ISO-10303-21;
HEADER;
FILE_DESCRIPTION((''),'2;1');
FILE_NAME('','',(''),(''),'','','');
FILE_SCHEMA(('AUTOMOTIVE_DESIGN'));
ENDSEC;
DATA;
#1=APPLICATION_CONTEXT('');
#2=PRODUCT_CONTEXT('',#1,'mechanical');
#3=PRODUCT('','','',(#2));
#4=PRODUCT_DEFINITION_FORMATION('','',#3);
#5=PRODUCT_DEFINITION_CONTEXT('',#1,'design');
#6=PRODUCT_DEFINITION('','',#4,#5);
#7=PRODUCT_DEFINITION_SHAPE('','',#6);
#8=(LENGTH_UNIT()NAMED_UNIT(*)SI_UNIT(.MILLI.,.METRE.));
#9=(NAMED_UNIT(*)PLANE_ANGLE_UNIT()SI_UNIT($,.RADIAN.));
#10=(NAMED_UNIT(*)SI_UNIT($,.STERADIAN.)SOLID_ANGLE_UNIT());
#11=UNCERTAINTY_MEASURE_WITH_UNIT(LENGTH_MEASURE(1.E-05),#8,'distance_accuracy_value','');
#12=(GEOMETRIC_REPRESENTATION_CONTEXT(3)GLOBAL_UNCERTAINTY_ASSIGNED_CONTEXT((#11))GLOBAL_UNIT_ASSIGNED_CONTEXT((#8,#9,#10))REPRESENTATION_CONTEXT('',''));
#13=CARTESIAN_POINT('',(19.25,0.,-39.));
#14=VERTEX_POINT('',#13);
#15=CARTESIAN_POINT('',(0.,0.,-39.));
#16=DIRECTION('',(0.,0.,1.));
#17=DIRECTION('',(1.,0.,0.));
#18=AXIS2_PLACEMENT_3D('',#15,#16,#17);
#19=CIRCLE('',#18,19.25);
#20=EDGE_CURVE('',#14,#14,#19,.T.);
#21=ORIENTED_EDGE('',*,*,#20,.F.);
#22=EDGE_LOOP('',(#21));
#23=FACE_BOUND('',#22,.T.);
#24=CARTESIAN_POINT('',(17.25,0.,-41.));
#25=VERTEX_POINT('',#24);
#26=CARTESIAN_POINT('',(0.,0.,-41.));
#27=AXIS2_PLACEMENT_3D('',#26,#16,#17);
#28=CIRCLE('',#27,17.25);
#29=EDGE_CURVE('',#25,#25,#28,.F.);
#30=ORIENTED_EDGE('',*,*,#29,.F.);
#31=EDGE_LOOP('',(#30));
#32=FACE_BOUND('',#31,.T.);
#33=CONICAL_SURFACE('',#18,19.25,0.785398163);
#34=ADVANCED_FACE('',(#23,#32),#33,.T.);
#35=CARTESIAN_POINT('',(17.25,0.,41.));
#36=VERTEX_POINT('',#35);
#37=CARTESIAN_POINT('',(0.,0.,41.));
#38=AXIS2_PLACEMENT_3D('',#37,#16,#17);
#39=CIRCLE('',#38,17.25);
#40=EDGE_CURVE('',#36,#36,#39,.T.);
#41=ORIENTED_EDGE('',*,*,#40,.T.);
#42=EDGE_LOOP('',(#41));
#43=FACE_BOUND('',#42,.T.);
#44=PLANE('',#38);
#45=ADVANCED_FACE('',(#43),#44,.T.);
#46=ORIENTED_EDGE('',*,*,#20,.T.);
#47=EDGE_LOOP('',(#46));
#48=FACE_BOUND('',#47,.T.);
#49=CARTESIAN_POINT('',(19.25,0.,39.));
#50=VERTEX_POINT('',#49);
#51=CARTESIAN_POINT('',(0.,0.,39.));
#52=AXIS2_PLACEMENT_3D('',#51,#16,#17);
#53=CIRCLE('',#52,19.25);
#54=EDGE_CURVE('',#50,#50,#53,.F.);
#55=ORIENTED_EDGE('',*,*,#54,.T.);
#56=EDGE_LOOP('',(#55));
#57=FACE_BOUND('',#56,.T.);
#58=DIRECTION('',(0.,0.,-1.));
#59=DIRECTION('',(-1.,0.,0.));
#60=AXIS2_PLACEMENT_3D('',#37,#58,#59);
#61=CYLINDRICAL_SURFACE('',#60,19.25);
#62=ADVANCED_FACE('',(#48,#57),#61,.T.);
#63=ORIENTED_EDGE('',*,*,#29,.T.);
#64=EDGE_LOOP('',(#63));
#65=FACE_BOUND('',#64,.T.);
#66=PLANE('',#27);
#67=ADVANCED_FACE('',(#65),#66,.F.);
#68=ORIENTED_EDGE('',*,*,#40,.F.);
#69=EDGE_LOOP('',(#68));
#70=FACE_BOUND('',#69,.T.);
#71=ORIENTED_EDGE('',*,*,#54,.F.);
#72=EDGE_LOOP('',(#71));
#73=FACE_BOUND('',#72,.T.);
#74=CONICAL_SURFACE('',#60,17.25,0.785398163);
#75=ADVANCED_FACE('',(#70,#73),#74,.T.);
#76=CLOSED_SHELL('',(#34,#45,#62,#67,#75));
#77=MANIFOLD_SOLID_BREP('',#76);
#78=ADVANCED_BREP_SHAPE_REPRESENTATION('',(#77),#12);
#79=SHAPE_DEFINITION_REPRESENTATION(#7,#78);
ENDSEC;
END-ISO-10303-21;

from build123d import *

# Parameters (mm, degrees)
SKETCH1_R           = 19.25
BOSS_EXTRUDE1_DEPTH = 41
CHAMFER1_SIZE       = 2


with BuildPart() as part:
    # Sketch1 → Boss-Extrude1 (new body, symmetric)
    with BuildSketch(Plane.XY):
        Circle(SKETCH1_R)
    extrude(amount=BOSS_EXTRUDE1_DEPTH, both=True)

    # Chamfer1
    chamfer1_edges = [part.edges().sort_by_distance(p)[0] for p in [
        (-19.25, 0, -41),
        (-19.25, 0, 41),
    ]]
    chamfer(chamfer1_edges, length=CHAMFER1_SIZE)


solid = part.part
